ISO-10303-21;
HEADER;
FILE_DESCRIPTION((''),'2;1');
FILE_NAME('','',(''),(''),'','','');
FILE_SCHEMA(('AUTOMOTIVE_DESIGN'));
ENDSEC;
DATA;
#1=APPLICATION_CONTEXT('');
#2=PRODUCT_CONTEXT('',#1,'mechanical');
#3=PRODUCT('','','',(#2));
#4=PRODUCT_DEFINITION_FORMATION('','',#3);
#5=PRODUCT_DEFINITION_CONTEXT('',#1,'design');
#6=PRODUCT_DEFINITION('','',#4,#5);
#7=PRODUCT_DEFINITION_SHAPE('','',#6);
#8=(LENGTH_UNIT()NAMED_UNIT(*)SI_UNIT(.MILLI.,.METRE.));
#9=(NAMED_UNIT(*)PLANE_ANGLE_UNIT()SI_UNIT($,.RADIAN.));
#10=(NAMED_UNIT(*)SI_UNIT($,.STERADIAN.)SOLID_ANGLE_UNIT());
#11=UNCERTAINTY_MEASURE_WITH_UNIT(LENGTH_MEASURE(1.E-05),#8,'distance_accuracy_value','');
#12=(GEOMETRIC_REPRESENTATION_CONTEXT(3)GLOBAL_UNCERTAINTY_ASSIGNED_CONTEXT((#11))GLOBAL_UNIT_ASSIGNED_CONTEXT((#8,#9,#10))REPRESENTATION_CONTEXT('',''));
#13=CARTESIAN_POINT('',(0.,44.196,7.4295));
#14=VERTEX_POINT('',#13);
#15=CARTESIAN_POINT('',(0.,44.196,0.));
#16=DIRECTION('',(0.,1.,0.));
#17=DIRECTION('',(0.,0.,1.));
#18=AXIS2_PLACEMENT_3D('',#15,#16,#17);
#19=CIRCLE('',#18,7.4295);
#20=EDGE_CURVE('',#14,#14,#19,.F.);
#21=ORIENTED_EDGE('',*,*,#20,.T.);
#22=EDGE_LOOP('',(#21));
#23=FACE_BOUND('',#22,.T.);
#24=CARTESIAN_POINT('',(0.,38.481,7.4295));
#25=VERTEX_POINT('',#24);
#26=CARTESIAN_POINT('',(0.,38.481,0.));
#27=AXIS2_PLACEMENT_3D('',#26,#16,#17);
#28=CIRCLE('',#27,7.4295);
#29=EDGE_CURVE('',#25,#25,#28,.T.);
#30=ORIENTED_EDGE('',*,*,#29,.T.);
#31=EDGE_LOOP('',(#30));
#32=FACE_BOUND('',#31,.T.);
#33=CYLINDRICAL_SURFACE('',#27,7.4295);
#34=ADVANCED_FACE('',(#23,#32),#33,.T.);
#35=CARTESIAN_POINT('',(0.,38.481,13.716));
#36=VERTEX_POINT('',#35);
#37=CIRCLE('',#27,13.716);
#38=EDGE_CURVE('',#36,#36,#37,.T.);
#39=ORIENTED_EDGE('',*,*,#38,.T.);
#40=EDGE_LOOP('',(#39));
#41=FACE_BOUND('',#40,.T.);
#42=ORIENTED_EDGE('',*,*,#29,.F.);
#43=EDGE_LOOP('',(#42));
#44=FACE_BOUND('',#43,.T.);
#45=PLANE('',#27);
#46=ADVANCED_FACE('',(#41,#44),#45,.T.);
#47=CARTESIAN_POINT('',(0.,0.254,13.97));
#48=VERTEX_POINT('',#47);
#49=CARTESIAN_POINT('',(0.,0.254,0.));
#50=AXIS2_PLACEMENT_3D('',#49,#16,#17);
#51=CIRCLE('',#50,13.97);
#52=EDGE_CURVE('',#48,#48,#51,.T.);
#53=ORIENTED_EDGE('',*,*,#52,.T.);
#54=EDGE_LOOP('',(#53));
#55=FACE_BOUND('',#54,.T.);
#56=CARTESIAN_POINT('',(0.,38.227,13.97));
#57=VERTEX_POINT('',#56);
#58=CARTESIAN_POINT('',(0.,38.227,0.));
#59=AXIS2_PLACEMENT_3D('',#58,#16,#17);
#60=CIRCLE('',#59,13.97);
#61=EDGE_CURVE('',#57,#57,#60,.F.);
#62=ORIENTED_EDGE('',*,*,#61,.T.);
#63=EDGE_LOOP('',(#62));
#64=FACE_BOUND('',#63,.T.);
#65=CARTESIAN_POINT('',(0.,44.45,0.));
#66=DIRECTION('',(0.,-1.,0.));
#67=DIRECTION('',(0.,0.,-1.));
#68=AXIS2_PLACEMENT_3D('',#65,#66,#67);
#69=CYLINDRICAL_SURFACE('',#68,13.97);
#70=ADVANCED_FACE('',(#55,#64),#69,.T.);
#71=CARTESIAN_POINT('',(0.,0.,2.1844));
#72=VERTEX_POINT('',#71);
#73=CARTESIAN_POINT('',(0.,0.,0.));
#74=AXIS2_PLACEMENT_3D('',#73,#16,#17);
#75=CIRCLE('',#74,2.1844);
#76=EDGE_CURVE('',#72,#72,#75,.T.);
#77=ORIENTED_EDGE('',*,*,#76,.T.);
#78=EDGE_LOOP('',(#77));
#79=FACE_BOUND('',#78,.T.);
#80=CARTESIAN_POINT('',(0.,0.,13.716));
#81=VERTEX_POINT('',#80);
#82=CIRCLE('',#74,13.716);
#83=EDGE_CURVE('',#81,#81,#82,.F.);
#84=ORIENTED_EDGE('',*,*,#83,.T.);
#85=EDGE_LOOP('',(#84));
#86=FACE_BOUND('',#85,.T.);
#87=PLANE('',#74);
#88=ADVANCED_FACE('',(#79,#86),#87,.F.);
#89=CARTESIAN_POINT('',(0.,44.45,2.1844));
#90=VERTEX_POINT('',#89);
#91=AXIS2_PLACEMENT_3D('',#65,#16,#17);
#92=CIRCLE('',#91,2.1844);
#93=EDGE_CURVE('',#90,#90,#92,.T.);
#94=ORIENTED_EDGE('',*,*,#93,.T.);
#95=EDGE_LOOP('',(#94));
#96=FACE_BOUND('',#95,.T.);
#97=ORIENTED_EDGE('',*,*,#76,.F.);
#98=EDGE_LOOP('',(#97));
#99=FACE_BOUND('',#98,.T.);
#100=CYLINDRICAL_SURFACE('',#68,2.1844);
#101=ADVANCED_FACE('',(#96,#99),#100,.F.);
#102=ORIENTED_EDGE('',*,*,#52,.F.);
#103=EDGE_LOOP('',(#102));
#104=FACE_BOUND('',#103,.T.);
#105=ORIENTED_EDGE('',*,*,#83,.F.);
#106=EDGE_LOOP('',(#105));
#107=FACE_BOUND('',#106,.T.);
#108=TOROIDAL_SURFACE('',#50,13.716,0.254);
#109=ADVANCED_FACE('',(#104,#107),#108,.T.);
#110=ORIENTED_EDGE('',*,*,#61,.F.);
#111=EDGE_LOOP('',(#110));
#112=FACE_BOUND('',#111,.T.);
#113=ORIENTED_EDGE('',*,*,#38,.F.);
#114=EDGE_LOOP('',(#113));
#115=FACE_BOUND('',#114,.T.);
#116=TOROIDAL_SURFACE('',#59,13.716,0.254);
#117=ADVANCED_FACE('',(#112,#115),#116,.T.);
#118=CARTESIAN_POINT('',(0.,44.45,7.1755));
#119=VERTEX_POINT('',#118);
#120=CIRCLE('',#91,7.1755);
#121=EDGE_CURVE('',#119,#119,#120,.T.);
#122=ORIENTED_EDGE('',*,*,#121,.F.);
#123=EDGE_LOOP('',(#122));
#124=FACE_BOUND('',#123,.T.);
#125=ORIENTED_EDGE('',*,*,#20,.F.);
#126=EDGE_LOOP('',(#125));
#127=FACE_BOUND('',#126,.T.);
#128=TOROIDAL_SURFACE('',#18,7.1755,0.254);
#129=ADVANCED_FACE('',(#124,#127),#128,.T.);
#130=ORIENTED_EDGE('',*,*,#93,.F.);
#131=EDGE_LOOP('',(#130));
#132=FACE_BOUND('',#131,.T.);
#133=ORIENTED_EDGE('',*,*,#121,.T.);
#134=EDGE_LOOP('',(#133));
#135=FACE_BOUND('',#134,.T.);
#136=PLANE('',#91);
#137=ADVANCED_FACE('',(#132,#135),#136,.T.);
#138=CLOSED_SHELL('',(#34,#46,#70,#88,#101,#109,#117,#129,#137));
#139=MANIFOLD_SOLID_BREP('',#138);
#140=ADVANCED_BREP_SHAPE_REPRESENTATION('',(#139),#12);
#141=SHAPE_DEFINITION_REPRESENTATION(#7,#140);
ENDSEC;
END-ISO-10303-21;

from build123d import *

# Parameters (mm, degrees)
SKETCH1_R           = 13.97
SKETCH1_R_2         = 2.1844
BOSS_EXTRUDE1_DEPTH = 44.45
CUT_EXTRUDE1_START  = -5.969
SKETCH2_R           = 13.97
SKETCH2_R_2         = 7.4295
CUT_EXTRUDE1_DEPTH  = 5.969
FILLET1_R           = 0.254


with BuildPart() as part:
    # Sketch1 → Boss-Extrude1 (new body)
    with BuildSketch(Plane(origin=(0, 0, 0), x_dir=(1, 0, 0), z_dir=(0, 1, 0))):
        with Locations(Location((0, 0, 0), (0, 0, 270))):
            Circle(SKETCH1_R)
        with Locations(Location((0, 0, 0), (0, 0, 270))):
            Circle(SKETCH1_R_2, mode=Mode.SUBTRACT)
    extrude(amount=BOSS_EXTRUDE1_DEPTH)

    # Sketch2 → Cut-Extrude1 (cut)
    with BuildSketch(Plane(origin=(0, 44.45, 0), x_dir=(1, 0, 0), z_dir=(0, 1, 0)).offset(CUT_EXTRUDE1_START)):
        with Locations(Location((0, 0, 0), (0, 0, 270))):
            Circle(SKETCH2_R)
        with Locations(Location((0, 0, 0), (0, 0, 270))):
            Circle(SKETCH2_R_2, mode=Mode.SUBTRACT)
    extrude(amount=CUT_EXTRUDE1_DEPTH, mode=Mode.SUBTRACT)

    # Fillet1
    fillet1_edges = [part.edges().sort_by_distance(p)[0] for p in [
        (0, 38.481, -13.97),
        (0, 44.45, -7.4295),
        (0, 0, -13.97),
    ]]
    fillet(fillet1_edges, radius=FILLET1_R)


solid = part.part
